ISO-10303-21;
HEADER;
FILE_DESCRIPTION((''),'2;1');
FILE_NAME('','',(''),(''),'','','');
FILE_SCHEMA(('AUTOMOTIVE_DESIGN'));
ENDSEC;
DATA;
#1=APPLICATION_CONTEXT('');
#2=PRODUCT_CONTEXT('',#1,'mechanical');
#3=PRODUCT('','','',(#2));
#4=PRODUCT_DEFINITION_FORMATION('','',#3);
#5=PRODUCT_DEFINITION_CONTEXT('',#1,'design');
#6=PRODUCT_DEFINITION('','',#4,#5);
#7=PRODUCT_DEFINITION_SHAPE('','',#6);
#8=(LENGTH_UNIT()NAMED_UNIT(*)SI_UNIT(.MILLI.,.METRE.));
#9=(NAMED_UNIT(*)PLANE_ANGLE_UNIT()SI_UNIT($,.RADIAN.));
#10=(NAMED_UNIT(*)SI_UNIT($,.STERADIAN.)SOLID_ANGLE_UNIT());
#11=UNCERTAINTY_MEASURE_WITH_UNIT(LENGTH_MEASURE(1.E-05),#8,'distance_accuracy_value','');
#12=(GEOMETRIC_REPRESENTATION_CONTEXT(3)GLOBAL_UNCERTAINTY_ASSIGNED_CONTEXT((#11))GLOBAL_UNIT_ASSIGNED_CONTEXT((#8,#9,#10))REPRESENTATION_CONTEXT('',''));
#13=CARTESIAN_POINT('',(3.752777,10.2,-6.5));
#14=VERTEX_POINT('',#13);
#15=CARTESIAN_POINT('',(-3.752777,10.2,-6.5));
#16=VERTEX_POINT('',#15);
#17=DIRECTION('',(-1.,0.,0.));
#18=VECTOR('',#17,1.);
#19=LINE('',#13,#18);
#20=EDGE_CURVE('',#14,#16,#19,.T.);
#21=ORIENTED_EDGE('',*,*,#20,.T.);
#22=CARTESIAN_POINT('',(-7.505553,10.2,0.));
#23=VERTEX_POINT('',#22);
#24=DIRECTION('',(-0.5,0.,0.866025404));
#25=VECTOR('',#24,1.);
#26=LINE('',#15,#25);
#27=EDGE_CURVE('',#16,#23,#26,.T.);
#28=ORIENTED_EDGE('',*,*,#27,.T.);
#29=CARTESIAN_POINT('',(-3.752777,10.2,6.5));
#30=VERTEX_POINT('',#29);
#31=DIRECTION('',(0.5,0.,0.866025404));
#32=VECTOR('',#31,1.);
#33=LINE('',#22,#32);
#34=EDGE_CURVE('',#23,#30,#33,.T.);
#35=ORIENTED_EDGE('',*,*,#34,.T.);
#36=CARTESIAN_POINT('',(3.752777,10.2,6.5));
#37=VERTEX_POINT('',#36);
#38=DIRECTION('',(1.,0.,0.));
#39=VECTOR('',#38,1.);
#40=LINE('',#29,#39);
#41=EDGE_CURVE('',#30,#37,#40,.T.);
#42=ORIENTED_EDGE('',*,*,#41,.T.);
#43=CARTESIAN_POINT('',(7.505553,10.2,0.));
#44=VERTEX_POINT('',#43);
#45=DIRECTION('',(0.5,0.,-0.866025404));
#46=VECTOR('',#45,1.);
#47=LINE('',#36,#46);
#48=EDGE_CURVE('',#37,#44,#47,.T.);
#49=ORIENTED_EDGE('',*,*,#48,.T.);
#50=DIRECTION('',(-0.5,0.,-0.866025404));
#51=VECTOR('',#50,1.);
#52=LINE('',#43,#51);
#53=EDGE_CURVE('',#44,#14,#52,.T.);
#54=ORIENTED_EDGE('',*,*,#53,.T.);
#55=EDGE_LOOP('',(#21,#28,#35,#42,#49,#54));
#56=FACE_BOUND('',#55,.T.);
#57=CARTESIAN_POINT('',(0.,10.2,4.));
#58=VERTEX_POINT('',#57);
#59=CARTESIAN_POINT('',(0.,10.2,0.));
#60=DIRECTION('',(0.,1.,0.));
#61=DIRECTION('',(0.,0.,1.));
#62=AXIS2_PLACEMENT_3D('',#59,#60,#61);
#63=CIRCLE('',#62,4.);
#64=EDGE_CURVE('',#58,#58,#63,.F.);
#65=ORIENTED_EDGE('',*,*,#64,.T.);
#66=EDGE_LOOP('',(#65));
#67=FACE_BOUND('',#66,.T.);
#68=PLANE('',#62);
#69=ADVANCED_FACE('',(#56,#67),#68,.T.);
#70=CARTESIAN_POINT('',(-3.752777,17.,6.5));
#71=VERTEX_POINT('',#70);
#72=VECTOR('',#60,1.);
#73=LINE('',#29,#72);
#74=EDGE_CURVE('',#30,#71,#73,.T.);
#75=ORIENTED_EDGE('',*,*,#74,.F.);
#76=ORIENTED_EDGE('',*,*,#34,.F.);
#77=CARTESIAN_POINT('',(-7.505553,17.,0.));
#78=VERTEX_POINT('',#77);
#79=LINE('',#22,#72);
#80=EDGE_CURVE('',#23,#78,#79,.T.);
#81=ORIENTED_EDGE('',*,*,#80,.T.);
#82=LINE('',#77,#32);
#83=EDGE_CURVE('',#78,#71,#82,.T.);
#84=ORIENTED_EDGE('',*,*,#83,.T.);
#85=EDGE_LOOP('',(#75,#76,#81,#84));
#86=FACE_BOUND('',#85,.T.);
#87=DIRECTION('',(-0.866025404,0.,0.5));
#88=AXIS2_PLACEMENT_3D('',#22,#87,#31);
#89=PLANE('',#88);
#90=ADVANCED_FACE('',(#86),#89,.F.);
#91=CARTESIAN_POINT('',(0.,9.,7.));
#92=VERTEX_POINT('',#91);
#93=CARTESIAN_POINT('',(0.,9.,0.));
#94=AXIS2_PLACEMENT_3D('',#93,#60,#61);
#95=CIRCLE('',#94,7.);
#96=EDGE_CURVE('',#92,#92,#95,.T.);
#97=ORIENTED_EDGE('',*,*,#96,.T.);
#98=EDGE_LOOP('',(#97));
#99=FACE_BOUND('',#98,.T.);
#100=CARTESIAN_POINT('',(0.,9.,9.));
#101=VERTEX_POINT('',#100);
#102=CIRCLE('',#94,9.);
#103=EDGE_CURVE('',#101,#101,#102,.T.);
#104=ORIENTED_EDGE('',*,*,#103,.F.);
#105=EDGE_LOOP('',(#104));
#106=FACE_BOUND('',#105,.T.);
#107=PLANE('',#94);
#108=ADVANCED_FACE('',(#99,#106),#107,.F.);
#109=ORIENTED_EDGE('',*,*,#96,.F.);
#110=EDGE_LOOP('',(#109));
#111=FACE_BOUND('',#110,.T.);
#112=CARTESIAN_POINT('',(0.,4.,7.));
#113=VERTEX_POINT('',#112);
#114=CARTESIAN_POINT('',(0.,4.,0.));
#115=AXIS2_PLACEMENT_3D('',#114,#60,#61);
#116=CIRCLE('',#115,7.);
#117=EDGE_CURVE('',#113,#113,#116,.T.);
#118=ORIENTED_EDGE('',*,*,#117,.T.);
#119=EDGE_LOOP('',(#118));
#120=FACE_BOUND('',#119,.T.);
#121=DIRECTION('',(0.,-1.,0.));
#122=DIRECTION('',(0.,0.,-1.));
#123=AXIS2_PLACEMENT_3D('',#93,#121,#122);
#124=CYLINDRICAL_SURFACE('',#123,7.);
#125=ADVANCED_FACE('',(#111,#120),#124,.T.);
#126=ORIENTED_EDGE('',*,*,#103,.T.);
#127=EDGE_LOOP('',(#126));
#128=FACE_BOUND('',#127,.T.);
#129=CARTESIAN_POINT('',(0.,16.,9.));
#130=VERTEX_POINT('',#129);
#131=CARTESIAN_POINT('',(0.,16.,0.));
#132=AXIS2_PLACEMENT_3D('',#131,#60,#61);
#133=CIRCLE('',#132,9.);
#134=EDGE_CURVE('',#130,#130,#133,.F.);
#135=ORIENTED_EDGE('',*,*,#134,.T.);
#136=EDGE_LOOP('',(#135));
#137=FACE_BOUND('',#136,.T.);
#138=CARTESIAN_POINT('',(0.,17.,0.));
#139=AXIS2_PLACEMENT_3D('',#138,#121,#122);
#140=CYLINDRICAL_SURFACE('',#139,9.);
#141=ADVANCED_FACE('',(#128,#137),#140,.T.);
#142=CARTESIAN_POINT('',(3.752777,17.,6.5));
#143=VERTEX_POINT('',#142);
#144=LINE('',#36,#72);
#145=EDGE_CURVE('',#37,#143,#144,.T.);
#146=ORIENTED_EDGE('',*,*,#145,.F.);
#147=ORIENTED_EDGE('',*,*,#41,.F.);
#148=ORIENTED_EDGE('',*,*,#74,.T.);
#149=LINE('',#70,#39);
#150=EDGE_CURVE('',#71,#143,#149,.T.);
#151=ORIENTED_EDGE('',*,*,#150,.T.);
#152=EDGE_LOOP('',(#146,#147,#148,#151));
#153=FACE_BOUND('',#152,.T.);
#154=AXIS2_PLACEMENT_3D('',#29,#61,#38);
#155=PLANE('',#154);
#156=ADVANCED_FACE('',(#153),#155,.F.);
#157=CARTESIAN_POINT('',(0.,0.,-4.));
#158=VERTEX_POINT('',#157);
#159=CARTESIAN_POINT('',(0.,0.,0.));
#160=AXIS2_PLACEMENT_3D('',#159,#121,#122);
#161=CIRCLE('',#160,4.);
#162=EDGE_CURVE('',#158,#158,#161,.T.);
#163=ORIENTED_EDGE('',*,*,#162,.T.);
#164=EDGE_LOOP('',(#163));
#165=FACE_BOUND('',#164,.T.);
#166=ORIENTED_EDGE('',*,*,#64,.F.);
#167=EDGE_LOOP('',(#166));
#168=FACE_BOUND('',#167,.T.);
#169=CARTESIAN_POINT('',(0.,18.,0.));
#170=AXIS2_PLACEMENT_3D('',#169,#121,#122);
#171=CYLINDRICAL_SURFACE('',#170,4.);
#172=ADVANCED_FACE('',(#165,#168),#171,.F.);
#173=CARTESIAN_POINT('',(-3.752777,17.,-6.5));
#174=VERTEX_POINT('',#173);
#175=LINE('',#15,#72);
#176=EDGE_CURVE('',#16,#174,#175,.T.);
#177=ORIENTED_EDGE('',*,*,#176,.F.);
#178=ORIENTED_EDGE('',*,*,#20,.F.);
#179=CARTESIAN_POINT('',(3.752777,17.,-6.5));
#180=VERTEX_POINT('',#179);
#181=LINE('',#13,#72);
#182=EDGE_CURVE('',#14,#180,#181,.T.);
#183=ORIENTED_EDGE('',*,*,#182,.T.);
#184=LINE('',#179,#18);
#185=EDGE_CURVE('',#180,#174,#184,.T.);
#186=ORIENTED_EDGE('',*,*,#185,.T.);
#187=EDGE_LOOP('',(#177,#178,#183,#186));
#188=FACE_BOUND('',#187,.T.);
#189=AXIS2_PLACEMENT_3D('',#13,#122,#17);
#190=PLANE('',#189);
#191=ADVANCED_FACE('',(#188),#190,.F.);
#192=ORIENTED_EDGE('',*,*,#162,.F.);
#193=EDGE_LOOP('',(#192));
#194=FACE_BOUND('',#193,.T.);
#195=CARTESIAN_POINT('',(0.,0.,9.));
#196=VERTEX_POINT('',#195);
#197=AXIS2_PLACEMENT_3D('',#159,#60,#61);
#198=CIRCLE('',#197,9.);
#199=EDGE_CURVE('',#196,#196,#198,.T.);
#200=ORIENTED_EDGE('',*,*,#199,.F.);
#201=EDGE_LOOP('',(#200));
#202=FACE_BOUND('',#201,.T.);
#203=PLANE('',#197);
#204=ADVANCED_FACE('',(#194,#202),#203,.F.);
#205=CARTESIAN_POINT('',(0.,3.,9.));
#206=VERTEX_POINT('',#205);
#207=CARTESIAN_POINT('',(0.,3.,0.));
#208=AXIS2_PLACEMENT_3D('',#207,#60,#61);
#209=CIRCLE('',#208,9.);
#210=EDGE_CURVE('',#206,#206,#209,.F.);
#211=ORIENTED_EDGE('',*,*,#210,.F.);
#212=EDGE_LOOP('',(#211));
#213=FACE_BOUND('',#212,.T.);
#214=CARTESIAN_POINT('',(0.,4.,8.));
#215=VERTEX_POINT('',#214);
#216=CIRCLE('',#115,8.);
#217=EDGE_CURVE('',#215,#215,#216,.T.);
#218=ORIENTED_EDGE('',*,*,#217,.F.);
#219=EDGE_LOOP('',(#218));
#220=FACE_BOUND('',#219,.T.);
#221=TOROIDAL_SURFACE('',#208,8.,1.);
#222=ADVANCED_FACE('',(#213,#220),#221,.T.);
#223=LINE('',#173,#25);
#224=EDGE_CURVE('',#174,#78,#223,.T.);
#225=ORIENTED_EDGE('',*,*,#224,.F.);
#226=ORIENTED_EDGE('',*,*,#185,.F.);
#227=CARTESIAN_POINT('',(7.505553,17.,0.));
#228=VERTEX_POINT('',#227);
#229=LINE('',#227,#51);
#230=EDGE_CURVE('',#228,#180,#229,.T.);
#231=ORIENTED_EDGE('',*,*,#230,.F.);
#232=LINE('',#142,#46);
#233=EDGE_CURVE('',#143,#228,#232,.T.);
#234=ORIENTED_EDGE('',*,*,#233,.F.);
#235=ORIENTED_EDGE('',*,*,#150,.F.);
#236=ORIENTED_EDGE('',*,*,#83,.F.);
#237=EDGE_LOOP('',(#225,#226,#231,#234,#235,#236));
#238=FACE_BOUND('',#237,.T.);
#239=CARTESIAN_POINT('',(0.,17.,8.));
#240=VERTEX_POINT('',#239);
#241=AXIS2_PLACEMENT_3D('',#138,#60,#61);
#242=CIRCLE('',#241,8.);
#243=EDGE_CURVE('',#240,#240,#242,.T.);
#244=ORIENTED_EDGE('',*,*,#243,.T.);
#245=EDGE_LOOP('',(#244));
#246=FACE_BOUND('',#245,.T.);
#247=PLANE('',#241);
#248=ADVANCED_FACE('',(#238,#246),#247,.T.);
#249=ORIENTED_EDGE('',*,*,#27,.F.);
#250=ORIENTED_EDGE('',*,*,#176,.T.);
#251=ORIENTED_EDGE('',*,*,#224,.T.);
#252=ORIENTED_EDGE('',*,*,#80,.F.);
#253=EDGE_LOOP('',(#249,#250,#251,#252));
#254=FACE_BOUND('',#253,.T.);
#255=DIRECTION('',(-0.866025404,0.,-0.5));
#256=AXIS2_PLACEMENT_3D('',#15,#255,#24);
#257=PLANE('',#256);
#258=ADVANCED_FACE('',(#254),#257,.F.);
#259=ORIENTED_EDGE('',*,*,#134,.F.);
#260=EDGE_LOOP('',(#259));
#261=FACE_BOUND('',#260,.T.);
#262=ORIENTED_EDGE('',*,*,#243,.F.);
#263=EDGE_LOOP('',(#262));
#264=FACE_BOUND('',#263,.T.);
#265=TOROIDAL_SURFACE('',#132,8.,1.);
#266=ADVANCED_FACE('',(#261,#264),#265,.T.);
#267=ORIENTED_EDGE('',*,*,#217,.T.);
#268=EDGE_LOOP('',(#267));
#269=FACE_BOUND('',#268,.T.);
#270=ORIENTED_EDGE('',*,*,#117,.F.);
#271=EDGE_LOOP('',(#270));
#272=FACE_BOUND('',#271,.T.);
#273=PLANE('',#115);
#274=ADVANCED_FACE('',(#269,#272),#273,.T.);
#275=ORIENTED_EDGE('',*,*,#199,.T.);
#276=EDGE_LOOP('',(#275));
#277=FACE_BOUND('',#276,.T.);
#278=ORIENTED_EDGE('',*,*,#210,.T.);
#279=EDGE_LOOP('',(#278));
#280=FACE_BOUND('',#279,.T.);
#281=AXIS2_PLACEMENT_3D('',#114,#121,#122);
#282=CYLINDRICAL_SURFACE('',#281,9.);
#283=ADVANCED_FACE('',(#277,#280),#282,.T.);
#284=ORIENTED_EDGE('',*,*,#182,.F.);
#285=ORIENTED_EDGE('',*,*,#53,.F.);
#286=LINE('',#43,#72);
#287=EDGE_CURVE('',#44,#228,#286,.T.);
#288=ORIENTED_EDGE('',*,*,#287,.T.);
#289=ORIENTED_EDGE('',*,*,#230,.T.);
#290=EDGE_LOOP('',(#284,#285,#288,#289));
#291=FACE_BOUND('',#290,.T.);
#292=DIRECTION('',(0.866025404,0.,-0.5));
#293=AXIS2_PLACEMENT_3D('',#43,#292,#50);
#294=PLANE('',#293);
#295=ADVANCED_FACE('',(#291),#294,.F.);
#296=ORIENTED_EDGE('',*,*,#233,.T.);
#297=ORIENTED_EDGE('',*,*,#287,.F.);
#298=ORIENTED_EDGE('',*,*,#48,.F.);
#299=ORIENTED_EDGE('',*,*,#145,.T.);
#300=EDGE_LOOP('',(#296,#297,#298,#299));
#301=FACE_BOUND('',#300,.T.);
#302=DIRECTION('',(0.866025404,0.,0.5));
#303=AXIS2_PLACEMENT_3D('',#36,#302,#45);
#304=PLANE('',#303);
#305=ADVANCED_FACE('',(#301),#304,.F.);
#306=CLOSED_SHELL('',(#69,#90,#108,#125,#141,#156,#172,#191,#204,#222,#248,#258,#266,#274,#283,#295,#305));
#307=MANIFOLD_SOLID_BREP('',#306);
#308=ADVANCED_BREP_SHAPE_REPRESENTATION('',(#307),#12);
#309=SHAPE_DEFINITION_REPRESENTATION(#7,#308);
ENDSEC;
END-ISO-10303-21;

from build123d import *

# Parameters (mm, degrees)
SKETCH1_R           = 9
BOSS_EXTRUDE1_DEPTH = 4
SKETCH2_R           = 7
BOSS_EXTRUDE2_DEPTH = 5
SKETCH4_R           = 9
BOSS_EXTRUDE3_DEPTH = 8
FILLET1_R           = 1
FILLET2_R           = 1
SKETCH5_R           = 4
CUT_EXTRUDE1_DEPTH  = 18
CUT_EXTRUDE2_DEPTH  = 6.8


with BuildPart() as part:
    # Sketch1 → Boss-Extrude1 (new body)
    with BuildSketch(Plane(origin=(0, 0, 0), x_dir=(1, 0, 0), z_dir=(0, 1, 0))):
        with Locations(Location((0, 0, 0), (0, 0, 270))):
            Circle(SKETCH1_R)
    extrude(amount=BOSS_EXTRUDE1_DEPTH)

    # Sketch2 → Boss-Extrude2 (add)
    with BuildSketch(Plane(origin=(0, 4, 0), x_dir=(1, 0, 0), z_dir=(0, 1, 0))):
        with Locations(Location((0, 0, 0), (0, 0, 270))):
            Circle(SKETCH2_R)
    extrude(amount=BOSS_EXTRUDE2_DEPTH)

    # Sketch4 → Boss-Extrude3 (add)
    with BuildSketch(Plane(origin=(0, 9, 0), x_dir=(1, 0, 0), z_dir=(0, 1, 0))):
        with Locations(Location((0, 0, 0), (0, 0, 270))):
            Circle(SKETCH4_R)
    extrude(amount=BOSS_EXTRUDE3_DEPTH)

    # Fillet1
    fillet1_edges = [part.edges().sort_by_distance(p)[0] for p in [
        (0, 17, -9),
    ]]
    fillet(fillet1_edges, radius=FILLET1_R)

    # Fillet2
    fillet2_edges = [part.edges().sort_by_distance(p)[0] for p in [
        (0, 4, -9),
    ]]
    fillet(fillet2_edges, radius=FILLET2_R)

    # Sketch5 → Cut-Extrude1 (cut)
    with BuildSketch(Plane.XZ):
        with Locations(Location((0, 0, 0), (0, 0, 270))):
            Circle(SKETCH5_R)
    extrude(amount=-CUT_EXTRUDE1_DEPTH, mode=Mode.SUBTRACT)

    # Sketch6 → Cut-Extrude2 (cut)
    with BuildSketch(Plane(origin=(0, 17, 0), x_dir=(1, 0, 0), z_dir=(0, 1, 0))):
        Polygon((-7.505553499, 0), (-3.75277675, -6.5), (3.75277675, -6.5), (7.505553499, 0), (3.75277675, 6.5), (-3.75277675, 6.5), align=None)
    extrude(amount=-CUT_EXTRUDE2_DEPTH, mode=Mode.SUBTRACT)


solid = part.part
